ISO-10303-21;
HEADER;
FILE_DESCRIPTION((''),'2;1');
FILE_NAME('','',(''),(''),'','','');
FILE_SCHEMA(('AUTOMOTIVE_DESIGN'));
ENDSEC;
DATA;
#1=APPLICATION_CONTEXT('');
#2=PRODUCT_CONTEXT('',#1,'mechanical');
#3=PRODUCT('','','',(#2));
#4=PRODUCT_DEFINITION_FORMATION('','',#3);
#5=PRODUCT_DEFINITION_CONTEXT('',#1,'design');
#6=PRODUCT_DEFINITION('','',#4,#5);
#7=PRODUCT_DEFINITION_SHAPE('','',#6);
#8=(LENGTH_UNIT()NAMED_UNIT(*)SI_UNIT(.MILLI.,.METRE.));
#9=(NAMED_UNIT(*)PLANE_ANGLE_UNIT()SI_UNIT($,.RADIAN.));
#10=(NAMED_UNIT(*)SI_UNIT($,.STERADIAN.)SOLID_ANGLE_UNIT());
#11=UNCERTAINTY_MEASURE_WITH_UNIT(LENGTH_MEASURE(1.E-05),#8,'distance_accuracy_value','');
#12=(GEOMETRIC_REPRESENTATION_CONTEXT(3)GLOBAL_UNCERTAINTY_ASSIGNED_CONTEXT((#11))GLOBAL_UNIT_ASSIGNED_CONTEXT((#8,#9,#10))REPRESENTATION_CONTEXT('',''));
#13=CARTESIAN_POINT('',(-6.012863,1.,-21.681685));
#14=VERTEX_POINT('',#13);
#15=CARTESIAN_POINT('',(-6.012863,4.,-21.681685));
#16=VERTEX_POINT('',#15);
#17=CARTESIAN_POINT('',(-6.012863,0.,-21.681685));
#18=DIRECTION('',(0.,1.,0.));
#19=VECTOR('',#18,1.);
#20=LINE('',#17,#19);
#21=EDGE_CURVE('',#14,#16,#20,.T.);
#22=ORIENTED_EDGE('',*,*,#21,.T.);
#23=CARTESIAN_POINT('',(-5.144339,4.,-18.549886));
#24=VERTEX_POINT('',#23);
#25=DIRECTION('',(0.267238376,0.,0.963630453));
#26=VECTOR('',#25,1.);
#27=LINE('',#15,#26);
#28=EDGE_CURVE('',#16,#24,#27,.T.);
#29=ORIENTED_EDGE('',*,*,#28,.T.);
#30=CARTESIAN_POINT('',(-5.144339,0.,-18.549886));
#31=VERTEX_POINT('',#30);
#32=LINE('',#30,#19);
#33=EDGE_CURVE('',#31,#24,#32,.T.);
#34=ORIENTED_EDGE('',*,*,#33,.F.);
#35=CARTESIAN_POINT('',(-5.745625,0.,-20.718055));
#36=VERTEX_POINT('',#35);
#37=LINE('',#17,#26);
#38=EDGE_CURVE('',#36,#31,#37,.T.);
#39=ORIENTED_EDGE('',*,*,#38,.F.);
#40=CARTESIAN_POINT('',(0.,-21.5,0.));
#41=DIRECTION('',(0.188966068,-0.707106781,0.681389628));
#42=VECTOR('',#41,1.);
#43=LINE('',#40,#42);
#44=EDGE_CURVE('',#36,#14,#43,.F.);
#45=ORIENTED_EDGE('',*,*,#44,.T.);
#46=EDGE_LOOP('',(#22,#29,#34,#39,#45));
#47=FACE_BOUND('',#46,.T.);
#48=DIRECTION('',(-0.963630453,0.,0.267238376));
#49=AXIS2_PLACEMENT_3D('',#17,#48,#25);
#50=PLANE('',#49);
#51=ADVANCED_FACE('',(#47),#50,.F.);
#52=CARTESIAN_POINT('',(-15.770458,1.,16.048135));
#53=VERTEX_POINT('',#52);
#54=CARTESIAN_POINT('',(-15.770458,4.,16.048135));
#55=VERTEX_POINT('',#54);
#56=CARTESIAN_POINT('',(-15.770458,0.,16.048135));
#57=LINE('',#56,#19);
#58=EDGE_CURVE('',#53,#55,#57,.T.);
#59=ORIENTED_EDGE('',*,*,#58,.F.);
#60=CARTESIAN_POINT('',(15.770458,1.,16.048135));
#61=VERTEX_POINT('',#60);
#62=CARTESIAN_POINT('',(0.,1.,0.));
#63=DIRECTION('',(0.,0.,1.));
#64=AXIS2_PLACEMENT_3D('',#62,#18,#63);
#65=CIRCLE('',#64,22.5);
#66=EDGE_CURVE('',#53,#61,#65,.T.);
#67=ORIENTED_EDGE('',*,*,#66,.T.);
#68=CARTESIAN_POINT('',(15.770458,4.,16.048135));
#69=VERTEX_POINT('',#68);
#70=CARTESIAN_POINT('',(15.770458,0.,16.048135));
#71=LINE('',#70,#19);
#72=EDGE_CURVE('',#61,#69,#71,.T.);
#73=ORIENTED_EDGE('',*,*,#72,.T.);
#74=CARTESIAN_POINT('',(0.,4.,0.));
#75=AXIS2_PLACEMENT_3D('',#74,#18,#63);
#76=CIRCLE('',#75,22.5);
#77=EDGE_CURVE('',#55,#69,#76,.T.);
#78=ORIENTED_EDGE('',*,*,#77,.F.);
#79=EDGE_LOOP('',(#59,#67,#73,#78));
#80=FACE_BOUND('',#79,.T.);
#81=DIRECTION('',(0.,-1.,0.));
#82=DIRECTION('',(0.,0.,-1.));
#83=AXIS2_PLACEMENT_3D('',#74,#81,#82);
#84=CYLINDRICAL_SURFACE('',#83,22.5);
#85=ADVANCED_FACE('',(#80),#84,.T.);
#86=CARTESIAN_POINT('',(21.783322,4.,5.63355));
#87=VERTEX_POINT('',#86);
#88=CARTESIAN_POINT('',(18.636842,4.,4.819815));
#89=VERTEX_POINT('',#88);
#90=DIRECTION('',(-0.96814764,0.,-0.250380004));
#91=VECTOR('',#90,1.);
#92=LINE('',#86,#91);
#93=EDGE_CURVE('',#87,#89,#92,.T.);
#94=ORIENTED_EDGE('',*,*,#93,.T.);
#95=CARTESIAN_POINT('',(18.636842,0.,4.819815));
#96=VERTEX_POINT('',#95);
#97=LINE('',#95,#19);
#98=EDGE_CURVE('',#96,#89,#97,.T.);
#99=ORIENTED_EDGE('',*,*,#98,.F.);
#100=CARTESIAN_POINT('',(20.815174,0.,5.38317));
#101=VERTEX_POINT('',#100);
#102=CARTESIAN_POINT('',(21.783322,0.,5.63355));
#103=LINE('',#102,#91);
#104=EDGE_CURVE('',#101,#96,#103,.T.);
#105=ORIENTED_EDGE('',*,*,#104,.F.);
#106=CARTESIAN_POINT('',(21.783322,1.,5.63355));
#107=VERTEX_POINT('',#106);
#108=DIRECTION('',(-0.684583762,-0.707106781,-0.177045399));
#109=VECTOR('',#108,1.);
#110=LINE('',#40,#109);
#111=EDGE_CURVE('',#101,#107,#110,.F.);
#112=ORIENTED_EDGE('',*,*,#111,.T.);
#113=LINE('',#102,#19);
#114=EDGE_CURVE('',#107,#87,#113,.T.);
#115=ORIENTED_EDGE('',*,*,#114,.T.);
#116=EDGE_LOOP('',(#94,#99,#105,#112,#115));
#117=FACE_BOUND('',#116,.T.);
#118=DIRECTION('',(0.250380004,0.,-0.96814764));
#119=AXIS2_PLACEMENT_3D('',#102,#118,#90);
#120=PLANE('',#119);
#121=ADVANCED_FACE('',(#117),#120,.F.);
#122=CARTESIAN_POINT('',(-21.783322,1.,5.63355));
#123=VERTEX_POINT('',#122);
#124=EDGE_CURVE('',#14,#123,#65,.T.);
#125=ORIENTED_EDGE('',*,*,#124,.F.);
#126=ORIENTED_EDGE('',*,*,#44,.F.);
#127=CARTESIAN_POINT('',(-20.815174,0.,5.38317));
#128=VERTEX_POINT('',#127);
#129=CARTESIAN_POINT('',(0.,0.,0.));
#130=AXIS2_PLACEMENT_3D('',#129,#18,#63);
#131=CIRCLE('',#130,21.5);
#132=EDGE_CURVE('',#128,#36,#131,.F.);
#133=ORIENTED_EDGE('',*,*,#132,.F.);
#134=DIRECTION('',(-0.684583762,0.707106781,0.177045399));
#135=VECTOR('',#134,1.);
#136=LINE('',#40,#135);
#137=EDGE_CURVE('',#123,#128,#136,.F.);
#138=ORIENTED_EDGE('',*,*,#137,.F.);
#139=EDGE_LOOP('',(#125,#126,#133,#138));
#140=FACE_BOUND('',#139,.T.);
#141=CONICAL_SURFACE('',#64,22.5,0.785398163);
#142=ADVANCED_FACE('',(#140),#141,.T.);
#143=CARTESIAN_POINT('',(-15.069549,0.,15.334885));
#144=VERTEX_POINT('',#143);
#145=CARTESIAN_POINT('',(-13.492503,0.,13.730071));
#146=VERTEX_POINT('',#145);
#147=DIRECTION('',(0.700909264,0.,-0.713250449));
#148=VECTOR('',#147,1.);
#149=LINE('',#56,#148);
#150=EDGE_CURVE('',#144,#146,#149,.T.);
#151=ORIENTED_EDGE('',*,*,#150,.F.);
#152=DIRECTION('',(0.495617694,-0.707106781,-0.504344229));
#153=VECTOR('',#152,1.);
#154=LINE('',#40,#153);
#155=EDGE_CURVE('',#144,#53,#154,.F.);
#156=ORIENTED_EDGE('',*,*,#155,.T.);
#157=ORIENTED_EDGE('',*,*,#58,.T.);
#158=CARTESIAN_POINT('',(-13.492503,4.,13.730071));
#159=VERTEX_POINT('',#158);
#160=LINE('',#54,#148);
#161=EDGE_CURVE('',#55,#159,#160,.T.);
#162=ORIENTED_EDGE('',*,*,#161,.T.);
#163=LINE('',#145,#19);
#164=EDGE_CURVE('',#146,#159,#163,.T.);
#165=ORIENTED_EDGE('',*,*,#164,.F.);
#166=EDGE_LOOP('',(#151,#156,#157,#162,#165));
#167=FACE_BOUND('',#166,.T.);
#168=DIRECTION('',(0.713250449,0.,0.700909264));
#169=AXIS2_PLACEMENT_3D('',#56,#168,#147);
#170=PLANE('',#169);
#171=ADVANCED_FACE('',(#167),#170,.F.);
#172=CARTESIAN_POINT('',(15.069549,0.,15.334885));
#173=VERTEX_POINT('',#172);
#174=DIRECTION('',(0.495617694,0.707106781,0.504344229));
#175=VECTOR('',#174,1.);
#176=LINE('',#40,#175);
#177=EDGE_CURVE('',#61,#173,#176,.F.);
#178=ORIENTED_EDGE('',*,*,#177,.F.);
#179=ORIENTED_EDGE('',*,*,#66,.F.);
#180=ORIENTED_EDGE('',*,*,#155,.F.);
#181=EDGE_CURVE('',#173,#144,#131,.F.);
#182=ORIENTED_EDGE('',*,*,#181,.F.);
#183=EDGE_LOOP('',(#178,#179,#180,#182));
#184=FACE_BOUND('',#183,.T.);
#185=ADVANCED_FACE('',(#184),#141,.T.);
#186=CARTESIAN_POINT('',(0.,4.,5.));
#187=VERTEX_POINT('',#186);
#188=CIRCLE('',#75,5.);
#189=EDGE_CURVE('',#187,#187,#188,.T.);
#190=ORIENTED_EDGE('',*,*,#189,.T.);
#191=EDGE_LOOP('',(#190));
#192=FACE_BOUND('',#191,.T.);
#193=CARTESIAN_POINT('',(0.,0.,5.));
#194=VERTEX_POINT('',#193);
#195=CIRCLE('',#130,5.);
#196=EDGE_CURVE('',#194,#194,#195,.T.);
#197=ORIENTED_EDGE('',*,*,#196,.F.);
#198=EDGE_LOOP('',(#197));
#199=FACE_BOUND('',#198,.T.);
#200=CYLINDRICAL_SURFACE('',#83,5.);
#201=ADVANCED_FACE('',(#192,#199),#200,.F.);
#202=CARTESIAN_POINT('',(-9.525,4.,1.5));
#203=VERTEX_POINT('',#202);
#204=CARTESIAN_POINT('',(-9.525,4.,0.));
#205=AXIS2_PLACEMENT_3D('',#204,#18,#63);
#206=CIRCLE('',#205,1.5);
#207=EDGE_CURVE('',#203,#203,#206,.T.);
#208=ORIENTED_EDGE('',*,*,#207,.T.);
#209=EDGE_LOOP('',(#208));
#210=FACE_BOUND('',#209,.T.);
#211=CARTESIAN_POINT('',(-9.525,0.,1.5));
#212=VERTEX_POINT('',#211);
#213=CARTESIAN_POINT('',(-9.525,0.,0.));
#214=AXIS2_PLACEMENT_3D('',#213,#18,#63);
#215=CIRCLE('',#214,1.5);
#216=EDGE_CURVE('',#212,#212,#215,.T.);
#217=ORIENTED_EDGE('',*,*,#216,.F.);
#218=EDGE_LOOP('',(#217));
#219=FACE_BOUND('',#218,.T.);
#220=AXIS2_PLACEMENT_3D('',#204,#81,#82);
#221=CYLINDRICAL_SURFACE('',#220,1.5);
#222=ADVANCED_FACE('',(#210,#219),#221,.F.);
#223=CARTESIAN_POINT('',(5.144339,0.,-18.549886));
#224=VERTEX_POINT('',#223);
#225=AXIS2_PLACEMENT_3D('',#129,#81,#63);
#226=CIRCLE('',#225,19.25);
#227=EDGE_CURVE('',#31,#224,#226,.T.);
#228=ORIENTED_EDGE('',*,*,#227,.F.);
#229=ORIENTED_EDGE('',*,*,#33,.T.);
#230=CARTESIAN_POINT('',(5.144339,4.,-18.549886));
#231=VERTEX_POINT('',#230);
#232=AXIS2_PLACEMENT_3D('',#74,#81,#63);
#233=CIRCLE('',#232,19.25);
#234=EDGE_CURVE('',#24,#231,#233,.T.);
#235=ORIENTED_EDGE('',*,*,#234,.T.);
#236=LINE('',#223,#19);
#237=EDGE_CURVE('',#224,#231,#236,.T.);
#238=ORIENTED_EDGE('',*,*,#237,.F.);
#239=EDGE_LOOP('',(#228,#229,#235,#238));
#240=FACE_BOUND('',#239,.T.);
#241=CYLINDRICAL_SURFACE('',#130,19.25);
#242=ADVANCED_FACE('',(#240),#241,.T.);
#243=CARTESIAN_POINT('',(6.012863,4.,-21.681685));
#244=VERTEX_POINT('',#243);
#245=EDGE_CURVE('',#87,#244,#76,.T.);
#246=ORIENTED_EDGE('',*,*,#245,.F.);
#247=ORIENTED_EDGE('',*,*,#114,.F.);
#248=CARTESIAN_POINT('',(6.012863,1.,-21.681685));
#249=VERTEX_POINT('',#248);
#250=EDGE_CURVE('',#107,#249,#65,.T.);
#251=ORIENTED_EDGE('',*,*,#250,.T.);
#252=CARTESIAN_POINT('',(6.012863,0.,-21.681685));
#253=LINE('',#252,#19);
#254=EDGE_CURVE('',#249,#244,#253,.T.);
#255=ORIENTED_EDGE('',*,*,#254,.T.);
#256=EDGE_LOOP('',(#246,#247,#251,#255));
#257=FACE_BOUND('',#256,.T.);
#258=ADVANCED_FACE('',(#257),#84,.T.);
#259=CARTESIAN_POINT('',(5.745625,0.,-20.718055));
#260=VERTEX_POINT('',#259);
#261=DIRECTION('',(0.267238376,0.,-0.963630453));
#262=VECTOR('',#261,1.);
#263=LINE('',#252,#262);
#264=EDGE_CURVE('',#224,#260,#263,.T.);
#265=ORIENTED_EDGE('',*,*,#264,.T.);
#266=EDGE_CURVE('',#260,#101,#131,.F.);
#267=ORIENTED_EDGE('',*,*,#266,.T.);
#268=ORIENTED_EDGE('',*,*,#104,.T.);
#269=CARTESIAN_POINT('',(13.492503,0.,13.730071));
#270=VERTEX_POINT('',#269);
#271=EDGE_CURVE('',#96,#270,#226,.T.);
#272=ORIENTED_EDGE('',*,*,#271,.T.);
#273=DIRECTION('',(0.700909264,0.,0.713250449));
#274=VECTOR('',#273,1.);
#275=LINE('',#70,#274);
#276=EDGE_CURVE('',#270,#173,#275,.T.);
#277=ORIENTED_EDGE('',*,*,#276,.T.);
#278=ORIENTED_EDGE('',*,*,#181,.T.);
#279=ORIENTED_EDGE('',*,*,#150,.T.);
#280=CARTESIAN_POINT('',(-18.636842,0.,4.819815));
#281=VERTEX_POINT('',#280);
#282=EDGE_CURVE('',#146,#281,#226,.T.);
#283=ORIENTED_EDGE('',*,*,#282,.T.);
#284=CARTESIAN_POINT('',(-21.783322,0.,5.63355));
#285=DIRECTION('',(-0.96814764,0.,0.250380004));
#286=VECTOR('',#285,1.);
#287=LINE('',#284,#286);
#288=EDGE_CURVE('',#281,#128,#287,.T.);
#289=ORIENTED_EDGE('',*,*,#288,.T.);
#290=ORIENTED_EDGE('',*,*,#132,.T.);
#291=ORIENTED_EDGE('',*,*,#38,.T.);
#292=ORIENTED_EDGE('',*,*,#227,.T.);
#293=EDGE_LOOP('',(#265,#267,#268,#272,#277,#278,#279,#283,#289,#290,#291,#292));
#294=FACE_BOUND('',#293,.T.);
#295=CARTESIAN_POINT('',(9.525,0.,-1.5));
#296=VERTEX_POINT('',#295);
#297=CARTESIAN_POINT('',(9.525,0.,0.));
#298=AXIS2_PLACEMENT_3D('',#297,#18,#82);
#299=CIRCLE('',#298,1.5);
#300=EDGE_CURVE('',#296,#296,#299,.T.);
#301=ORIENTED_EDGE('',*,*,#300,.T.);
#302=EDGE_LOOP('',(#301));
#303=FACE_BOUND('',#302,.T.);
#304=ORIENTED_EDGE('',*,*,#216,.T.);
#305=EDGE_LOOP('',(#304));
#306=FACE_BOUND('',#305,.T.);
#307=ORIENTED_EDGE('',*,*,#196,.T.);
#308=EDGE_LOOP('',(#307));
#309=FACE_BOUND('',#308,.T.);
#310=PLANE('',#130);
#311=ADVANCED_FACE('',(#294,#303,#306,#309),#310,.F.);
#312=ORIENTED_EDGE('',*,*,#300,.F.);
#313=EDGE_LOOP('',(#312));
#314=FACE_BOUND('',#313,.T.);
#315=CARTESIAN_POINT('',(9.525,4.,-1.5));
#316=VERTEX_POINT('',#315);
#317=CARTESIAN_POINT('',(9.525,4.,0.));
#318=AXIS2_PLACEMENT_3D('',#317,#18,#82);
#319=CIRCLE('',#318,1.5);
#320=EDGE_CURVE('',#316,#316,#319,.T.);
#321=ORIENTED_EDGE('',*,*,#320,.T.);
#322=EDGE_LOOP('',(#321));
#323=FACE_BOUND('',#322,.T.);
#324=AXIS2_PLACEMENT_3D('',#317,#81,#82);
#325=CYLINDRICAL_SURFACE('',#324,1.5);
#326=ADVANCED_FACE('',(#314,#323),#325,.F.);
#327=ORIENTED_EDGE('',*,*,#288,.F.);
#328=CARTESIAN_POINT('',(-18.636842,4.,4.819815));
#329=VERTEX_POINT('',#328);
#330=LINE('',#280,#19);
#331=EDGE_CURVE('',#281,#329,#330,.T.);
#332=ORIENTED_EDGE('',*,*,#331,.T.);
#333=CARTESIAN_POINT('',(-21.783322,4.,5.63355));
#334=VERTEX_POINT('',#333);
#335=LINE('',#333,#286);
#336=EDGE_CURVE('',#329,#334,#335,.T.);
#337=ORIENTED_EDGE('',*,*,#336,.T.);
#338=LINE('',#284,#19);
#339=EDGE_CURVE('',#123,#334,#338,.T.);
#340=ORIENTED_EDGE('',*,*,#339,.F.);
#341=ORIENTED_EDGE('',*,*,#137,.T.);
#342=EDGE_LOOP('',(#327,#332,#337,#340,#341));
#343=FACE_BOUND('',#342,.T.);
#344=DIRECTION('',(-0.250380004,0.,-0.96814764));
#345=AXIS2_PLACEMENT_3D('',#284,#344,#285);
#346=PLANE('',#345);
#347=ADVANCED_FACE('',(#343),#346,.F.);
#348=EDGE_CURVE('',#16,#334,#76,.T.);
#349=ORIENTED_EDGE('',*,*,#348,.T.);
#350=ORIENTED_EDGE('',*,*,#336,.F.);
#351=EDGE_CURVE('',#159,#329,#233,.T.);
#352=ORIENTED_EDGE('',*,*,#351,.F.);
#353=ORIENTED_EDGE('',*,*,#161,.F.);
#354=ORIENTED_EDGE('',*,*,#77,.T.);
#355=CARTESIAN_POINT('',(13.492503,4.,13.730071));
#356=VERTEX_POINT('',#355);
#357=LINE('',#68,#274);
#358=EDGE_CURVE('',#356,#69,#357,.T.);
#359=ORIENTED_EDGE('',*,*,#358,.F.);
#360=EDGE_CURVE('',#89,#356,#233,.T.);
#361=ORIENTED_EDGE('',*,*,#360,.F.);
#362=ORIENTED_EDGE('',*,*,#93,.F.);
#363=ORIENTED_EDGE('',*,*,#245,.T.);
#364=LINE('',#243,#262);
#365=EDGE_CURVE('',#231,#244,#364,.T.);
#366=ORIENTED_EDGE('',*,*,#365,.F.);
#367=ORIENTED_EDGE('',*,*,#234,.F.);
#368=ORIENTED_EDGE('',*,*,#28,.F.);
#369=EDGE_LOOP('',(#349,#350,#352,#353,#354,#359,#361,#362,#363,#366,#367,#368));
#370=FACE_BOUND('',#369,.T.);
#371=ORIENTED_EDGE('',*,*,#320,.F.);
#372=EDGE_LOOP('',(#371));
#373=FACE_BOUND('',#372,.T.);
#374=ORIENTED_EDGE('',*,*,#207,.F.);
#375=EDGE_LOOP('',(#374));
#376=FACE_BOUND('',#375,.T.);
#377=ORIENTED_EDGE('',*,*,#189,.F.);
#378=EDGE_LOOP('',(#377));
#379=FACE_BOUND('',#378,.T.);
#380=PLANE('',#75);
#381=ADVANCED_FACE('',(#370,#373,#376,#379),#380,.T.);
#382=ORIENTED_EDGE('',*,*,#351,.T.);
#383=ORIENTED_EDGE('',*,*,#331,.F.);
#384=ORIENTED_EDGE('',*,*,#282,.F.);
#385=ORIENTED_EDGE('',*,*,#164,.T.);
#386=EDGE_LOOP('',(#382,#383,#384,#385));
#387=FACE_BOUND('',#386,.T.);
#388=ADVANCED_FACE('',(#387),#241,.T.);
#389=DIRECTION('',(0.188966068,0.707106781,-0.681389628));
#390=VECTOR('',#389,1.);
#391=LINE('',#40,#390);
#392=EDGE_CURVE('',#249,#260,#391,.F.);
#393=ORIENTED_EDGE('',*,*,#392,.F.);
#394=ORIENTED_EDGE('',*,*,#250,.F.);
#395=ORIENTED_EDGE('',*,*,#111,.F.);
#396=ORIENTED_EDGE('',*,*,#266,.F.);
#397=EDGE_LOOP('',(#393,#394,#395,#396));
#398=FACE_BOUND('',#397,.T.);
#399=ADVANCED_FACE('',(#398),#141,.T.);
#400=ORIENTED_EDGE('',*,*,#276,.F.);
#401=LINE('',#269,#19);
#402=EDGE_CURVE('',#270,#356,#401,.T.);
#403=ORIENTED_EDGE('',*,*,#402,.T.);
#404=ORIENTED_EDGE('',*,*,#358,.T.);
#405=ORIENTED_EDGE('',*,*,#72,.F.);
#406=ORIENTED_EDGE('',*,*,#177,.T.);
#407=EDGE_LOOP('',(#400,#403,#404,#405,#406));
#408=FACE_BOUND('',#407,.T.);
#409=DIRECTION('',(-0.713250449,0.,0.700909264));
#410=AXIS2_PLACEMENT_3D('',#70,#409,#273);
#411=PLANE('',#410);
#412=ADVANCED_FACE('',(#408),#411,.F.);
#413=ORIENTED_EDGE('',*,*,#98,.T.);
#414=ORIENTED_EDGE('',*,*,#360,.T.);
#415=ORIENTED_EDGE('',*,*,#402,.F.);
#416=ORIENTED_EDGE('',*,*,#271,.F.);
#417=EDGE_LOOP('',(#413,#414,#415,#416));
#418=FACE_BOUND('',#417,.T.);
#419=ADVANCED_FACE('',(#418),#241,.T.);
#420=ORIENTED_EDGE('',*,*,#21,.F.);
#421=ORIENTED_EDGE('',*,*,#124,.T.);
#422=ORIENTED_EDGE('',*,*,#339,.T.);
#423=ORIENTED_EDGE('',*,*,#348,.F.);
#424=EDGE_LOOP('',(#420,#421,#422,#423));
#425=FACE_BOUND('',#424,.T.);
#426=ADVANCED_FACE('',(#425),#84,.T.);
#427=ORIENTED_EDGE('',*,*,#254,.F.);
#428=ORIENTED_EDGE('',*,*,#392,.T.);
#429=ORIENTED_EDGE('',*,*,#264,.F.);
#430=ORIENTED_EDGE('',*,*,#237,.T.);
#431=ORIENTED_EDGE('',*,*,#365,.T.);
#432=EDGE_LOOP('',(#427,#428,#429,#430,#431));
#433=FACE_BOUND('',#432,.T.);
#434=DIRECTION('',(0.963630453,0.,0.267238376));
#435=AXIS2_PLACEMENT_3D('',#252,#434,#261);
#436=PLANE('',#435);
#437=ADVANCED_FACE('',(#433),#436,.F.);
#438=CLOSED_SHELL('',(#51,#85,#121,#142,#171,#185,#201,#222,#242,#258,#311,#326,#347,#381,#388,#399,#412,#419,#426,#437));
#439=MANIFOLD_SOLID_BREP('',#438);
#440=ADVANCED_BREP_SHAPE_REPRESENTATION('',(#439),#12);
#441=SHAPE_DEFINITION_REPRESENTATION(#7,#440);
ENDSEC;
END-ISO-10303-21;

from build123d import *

# Parameters (mm, degrees)
SKETCH1_R           = 22.5
SKETCH1_R_2         = 5
SKETCH1_R_3         = 1.5
BOSS_EXTRUDE1_DEPTH = 4
CHAMFER1_SIZE       = 1
CUT_EXTRUDE1_DEPTH  = 5


with BuildPart() as part:
    # Sketch1 → Boss-Extrude1 (new body)
    with BuildSketch(Plane(origin=(0, 0, 0), x_dir=(1, 0, 0), z_dir=(0, 1, 0))):
        Circle(SKETCH1_R)
        Circle(SKETCH1_R_2, mode=Mode.SUBTRACT)
        with Locations((-9.525, 0)):
            Circle(SKETCH1_R_3, mode=Mode.SUBTRACT)
        with Locations((9.525, 0)):
            Circle(SKETCH1_R_3, mode=Mode.SUBTRACT)
    extrude(amount=BOSS_EXTRUDE1_DEPTH)

    # Chamfer1
    chamfer1_edges = [part.edges().sort_by_distance(p)[0] for p in [
        (-22.5, 0, 0),
    ]]
    chamfer(chamfer1_edges, length=CHAMFER1_SIZE)

    # Sketch2 → Cut-Extrude1 (cut, through all)
    with BuildSketch(Plane(origin=(0, 4, 0), x_dir=(1, 0, 0), z_dir=(0, 1, 0))):
        with BuildLine():
            Line((6.012863462, 21.681685197), (5.14433874, 18.549886224))
            ThreePointArc((5.14433874, 18.549886224), (0, 19.25), (-5.14433874, 18.549886224))
            Line((-5.14433874, 18.549886224), (-6.012863462, 21.681685197))
            ThreePointArc((-6.012863462, 21.681685197), (0, 22.5), (6.012863462, 21.681685197))
        make_face()
        with BuildLine():
            Line((21.783321909, -5.633550091), (18.636842077, -4.819815078))
            ThreePointArc((18.636842077, -4.819815078), (16.670989023, -9.625), (13.492503338, -13.730071146))
            Line((13.492503338, -13.730071146), (15.770458447, -16.048135106))
            ThreePointArc((15.770458447, -16.048135106), (19.485571585, -11.25), (21.783321909, -5.633550091))
        make_face()
        with BuildLine():
            Line((-15.770458447, -16.048135106), (-13.492503338, -13.730071146))
            ThreePointArc((-13.492503338, -13.730071146), (-16.670989023, -9.625), (-18.636842077, -4.819815078))
            Line((-18.636842077, -4.819815078), (-21.783321909, -5.633550091))
            ThreePointArc((-21.783321909, -5.633550091), (-19.485571585, -11.25), (-15.770458447, -16.048135106))
        make_face()
    extrude(amount=-CUT_EXTRUDE1_DEPTH, mode=Mode.SUBTRACT)


solid = part.part
